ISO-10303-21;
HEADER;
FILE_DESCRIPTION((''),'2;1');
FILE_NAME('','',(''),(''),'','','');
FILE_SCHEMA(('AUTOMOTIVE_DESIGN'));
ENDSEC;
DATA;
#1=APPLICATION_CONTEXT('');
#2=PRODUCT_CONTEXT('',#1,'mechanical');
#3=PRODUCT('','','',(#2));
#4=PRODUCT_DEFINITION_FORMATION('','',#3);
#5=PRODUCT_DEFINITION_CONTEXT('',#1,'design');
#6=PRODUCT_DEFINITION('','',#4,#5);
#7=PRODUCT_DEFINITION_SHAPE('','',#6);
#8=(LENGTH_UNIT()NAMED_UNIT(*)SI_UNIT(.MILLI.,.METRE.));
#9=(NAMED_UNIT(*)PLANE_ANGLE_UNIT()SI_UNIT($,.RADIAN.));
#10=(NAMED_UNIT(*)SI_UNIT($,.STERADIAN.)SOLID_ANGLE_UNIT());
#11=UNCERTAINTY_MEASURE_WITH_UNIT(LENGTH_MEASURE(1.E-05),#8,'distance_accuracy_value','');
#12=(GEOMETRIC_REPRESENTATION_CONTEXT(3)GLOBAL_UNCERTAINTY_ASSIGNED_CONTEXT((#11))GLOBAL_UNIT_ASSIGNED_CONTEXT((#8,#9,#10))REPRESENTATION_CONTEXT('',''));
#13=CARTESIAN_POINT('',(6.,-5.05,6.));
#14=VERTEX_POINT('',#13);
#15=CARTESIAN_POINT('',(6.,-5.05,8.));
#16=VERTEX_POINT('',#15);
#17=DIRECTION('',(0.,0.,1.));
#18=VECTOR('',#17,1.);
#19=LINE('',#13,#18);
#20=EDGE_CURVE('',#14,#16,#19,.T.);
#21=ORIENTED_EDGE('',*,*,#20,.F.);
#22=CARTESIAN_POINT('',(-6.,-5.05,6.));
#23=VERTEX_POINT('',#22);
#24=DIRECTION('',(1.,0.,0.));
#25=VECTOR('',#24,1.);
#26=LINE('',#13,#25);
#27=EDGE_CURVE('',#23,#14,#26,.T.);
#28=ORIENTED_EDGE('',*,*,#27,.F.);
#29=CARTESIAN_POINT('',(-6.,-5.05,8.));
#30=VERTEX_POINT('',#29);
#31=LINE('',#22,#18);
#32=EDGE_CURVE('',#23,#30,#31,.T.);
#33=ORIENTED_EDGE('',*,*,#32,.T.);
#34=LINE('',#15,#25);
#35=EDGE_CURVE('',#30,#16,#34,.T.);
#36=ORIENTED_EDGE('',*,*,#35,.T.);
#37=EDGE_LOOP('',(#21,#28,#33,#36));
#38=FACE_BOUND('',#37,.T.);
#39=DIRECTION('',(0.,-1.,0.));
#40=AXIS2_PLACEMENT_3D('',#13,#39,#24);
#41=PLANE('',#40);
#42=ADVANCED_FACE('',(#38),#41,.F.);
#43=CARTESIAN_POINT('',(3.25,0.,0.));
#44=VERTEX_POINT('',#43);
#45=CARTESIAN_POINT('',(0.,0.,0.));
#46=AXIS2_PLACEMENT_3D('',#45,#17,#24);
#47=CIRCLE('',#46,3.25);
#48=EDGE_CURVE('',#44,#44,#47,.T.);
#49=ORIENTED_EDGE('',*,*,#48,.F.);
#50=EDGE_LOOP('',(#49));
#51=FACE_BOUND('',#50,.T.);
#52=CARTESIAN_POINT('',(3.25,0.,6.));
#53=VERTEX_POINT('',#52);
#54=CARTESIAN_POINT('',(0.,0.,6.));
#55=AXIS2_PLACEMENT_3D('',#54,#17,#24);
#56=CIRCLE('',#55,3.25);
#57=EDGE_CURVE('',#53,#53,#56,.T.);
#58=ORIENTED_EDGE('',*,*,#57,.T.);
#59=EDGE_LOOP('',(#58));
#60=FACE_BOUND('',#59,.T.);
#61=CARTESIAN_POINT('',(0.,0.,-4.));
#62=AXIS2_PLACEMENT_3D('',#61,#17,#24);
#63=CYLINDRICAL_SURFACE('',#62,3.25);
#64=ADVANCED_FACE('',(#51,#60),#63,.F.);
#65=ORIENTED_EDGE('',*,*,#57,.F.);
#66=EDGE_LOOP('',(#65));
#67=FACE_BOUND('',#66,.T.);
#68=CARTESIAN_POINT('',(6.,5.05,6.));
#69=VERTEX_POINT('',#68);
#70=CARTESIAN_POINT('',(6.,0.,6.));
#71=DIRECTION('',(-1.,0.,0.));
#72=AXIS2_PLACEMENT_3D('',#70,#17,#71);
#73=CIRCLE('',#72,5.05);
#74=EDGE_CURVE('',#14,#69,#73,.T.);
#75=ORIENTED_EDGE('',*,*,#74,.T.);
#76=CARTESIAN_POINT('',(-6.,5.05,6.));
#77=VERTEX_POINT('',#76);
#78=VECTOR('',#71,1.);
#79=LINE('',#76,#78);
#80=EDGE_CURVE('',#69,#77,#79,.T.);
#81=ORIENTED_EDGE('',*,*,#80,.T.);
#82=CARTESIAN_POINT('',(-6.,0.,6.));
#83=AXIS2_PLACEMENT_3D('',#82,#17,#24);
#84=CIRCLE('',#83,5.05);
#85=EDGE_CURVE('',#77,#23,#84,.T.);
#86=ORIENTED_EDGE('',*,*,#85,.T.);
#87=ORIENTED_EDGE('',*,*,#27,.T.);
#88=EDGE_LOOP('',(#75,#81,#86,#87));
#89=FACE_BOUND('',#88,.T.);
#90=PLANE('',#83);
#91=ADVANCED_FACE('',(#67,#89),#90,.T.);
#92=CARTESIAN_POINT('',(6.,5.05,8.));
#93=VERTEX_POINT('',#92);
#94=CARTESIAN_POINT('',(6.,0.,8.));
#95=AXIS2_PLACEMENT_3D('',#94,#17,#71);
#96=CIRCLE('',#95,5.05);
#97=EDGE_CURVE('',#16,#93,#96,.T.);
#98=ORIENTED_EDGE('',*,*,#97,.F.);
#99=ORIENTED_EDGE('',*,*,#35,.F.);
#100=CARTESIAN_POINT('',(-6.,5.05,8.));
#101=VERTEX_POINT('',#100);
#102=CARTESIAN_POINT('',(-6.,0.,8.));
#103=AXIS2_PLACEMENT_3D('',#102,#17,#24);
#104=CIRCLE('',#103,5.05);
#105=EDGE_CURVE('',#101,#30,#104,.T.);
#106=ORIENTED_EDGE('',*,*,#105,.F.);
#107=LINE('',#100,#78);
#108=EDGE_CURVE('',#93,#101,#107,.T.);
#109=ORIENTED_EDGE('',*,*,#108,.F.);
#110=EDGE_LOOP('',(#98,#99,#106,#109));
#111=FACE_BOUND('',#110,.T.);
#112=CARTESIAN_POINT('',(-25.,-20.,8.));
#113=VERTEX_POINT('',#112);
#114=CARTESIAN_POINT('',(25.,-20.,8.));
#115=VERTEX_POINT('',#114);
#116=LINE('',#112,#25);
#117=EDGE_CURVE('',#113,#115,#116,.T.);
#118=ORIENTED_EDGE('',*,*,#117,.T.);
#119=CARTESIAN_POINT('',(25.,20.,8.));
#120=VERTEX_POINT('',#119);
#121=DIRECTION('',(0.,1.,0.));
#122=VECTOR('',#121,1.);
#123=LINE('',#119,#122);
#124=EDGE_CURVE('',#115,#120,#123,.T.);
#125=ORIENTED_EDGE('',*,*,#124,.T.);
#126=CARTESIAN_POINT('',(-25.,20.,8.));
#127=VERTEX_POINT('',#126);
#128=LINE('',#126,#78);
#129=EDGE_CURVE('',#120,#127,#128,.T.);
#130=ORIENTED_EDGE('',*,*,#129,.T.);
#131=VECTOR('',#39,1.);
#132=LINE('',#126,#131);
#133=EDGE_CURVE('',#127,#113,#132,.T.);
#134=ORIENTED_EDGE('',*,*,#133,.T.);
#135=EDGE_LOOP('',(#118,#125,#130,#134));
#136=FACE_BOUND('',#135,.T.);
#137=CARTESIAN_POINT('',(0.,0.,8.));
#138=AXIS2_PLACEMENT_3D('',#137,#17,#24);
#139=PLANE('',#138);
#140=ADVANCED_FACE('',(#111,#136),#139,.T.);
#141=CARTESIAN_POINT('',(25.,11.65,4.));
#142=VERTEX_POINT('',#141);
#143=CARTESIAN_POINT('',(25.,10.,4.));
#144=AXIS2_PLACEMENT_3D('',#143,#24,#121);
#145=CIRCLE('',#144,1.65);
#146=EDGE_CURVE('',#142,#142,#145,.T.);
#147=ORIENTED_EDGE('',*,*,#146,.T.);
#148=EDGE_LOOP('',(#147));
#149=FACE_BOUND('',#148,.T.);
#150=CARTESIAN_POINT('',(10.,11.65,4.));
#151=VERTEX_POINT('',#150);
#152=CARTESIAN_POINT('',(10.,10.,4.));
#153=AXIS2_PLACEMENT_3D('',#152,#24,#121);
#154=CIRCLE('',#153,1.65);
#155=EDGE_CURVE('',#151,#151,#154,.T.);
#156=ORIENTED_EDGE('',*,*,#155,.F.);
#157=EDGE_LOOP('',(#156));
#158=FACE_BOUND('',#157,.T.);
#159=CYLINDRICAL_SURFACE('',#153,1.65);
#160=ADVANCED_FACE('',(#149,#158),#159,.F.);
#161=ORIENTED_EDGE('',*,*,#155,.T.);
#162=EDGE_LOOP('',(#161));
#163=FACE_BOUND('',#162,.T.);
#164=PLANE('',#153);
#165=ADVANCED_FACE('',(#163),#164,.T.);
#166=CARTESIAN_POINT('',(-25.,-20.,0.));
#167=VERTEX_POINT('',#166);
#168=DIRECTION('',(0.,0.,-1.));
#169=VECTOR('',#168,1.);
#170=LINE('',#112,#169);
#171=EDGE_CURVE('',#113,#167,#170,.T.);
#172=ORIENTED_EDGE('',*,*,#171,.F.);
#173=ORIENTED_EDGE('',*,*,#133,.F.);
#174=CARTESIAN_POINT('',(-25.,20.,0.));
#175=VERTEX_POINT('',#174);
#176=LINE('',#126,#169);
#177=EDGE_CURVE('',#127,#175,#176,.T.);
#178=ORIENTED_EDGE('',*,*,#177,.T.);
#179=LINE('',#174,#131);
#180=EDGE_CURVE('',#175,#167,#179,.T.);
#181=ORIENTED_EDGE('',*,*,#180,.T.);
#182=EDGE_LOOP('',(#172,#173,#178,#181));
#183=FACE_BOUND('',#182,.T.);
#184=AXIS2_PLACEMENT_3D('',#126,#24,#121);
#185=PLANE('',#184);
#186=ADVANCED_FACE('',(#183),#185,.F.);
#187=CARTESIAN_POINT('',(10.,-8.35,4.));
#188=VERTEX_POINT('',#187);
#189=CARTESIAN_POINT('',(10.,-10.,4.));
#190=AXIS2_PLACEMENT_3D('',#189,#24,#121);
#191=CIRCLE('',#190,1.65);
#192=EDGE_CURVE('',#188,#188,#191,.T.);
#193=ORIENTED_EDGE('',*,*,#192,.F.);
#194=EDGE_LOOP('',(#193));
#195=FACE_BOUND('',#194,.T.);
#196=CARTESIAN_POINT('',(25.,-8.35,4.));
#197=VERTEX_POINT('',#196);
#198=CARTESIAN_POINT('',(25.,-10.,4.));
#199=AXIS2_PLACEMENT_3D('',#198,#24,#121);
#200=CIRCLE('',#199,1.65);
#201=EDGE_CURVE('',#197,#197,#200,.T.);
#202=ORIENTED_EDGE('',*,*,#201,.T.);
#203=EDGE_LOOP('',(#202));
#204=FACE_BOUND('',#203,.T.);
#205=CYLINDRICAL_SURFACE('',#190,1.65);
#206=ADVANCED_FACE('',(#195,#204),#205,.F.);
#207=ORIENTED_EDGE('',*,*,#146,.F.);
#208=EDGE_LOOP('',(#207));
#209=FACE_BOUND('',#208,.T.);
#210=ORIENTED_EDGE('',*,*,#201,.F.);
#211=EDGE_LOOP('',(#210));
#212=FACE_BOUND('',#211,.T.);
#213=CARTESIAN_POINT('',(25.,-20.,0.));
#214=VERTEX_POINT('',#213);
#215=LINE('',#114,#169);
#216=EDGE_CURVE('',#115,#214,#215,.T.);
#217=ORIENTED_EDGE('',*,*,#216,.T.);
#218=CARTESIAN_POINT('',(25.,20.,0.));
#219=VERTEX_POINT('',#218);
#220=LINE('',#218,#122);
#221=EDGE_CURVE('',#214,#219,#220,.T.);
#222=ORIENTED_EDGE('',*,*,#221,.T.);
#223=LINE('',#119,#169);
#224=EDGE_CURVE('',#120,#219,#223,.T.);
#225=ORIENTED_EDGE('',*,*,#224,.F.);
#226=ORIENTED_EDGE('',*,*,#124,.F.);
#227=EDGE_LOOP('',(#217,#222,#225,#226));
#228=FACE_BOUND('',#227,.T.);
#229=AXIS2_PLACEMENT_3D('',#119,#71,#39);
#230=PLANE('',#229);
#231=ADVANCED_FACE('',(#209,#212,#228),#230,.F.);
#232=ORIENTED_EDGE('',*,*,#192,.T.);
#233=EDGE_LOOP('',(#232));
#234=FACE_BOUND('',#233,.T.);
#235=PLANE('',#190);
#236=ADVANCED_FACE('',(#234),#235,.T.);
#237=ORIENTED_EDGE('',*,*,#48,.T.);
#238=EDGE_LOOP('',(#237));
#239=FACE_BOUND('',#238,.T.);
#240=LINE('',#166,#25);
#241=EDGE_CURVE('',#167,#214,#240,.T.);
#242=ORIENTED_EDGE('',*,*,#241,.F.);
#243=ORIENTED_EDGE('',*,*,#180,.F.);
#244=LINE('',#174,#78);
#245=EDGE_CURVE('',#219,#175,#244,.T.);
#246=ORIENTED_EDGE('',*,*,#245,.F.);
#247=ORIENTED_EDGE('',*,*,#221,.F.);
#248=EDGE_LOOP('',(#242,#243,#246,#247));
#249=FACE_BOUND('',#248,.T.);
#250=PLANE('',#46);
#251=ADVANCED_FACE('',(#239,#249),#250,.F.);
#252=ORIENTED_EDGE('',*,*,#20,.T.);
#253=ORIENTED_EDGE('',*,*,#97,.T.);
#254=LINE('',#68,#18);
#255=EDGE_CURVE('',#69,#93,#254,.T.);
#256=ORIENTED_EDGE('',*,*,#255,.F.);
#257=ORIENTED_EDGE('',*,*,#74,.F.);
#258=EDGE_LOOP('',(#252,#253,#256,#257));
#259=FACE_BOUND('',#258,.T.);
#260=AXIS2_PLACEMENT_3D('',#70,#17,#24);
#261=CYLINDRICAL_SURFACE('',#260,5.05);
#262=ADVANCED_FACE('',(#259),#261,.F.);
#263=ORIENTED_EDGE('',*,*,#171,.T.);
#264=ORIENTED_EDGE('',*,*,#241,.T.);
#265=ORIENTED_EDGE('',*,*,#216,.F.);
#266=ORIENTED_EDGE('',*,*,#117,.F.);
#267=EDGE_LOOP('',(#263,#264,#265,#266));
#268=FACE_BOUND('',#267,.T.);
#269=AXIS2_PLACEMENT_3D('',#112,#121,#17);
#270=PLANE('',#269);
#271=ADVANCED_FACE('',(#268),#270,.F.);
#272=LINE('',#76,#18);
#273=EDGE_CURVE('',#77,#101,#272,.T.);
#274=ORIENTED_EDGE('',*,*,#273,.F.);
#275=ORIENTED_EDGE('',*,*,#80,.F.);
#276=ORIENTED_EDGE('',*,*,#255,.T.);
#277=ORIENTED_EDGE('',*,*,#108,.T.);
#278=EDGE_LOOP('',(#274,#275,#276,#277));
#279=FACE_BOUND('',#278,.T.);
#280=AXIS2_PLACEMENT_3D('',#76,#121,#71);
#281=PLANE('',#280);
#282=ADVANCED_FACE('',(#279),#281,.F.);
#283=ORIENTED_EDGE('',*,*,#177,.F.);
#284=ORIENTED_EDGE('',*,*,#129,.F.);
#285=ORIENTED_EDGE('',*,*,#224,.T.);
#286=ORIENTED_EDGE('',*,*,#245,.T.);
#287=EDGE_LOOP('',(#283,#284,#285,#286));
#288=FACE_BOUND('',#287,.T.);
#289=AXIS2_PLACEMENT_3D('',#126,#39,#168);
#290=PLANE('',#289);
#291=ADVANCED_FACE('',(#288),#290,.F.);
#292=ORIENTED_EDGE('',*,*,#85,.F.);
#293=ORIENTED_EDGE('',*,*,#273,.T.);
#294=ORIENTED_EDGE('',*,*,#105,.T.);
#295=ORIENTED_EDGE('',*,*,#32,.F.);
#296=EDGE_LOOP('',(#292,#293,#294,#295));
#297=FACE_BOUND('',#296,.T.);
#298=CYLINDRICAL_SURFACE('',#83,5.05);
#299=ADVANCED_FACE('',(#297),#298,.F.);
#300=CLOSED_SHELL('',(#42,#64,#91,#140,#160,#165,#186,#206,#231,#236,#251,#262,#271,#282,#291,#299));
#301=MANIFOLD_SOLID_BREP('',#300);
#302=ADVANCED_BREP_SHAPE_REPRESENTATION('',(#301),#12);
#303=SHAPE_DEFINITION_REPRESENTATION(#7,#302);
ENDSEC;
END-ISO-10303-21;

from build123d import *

# Parameters (mm, degrees)
SKETCH_1_W          = 50
SKETCH_1_H          = 40
EXTRUDE_1_DEPTH     = 8
CUT_EXTRUDE_1_DEPTH = 2
SKETCH_3_R          = 3.25
CUT_EXTRUDE_2_DEPTH = 10
SKETCH_4_R          = 1.65
CUT_EXTRUDE_3_DEPTH = 15


with BuildPart() as part:
    # Эскиз1 → Бобышка-Вытянуть1 (new body)
    with BuildSketch(Plane.XY):
        Rectangle(SKETCH_1_W, SKETCH_1_H)
    extrude(amount=EXTRUDE_1_DEPTH)

    # Эскиз2 → Вырез-Вытянуть1 (cut)
    with BuildSketch(Plane.XY.offset(8)):
        with BuildLine():
            Line((-6, 5.05), (6, 5.05))
            ThreePointArc((6, 5.05), (11.05, 0), (6, -5.05))
            Line((6, -5.05), (-6, -5.05))
            ThreePointArc((-6, -5.05), (-11.05, 0), (-6, 5.05))
        make_face()
    extrude(amount=-CUT_EXTRUDE_1_DEPTH, mode=Mode.SUBTRACT)

    # Эскиз3 → Вырез-Вытянуть2 (cut)
    with BuildSketch(Plane.XY.offset(6)):
        Circle(SKETCH_3_R)
    extrude(amount=-CUT_EXTRUDE_2_DEPTH, mode=Mode.SUBTRACT)

    # Эскиз4 → Вырез-Вытянуть3 (cut)
    with BuildSketch(Plane(origin=(25, 0, 0), x_dir=(0, 0, -1), z_dir=(1, 0, 0))):
        with Locations(Location((-4, -10, 0), (0, 0, 90))):
            Circle(SKETCH_4_R)
        with Locations(Location((-4, 10, 0), (0, 0, 90))):
            Circle(SKETCH_4_R)
    extrude(amount=-CUT_EXTRUDE_3_DEPTH, mode=Mode.SUBTRACT)


solid = part.part
